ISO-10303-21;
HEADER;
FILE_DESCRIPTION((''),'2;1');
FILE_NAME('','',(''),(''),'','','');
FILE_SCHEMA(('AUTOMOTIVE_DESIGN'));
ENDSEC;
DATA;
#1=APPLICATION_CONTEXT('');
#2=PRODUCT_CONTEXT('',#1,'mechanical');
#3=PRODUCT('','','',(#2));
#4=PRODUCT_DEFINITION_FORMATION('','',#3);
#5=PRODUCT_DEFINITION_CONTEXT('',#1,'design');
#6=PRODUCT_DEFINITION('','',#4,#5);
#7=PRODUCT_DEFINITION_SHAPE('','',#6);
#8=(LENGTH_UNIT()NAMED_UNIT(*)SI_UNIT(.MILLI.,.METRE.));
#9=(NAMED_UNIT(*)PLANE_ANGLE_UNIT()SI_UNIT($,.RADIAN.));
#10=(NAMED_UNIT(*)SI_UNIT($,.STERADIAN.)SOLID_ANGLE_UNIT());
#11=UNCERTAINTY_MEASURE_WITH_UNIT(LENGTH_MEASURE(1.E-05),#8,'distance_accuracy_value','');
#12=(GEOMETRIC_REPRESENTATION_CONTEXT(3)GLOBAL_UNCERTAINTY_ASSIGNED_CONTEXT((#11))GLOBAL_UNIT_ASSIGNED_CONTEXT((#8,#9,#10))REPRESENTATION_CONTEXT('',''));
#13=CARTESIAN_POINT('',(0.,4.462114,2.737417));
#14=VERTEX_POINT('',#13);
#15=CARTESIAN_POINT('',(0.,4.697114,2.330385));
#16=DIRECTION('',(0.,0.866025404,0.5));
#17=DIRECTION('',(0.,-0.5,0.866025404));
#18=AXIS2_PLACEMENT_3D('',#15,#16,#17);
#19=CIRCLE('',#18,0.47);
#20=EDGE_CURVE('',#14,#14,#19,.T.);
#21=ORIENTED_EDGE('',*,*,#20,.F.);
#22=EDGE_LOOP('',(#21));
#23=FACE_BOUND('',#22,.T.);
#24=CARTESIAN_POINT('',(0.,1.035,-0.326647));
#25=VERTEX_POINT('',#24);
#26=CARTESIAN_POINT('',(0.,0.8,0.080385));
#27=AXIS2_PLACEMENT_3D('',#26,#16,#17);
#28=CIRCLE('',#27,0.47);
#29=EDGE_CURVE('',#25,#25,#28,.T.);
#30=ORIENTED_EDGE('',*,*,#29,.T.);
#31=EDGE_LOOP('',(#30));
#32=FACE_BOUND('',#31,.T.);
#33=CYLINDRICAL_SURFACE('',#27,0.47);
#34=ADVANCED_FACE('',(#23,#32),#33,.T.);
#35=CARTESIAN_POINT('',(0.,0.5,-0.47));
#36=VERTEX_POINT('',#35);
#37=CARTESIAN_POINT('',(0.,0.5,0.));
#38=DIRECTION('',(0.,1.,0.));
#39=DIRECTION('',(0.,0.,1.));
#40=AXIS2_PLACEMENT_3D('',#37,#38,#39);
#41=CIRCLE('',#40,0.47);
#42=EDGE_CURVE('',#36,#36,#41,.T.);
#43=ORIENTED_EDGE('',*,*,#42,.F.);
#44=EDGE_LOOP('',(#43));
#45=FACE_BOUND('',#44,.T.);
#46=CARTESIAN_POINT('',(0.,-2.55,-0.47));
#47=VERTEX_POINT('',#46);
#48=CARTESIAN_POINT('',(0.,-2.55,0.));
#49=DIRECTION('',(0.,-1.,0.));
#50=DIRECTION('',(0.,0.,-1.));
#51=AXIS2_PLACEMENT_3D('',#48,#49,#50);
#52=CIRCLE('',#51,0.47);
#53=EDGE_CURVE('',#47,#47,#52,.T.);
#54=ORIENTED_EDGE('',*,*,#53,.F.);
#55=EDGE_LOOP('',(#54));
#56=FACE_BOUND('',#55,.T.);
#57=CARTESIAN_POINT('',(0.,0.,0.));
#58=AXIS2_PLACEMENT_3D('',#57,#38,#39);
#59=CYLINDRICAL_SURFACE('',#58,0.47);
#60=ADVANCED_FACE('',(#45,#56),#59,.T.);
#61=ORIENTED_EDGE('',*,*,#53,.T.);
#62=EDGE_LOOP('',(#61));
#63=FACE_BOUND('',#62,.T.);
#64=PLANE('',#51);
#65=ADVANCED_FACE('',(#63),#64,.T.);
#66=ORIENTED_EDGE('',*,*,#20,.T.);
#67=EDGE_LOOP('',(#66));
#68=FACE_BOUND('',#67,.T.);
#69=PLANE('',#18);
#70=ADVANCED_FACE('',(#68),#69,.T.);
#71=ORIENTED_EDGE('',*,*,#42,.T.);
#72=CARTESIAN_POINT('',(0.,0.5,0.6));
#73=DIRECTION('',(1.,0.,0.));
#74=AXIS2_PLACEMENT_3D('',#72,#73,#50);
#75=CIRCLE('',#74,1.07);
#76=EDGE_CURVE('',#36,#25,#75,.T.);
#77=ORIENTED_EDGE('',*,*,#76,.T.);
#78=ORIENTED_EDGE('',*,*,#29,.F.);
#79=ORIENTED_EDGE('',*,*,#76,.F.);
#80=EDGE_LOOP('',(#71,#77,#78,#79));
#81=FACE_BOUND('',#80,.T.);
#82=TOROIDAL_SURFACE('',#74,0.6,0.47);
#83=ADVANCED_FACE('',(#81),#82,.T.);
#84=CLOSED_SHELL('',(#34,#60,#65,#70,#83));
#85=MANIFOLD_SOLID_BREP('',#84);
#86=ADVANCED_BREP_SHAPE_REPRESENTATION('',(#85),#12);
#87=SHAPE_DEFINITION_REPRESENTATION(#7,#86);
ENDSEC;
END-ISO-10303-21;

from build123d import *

# Parameters (mm, degrees)
SKETCH23_R          = 0.47
SKETCH25_R          = 0.47
BOSS_EXTRUDE2_DEPTH = 2.55


with BuildPart() as part:
    # Sweep4: sweep along a path in Sketch24
    with BuildLine(Plane(origin=(0, 0, 0), x_dir=(0, 0, -1), z_dir=(1, 0, 0))) as sweep4_path:
        Line((0, 0), (0, 0.5))
        ThreePointArc((0, 0.5), (-0.020444504, 0.655291427), (-0.080384758, 0.8))
        Line((-0.080384758, 0.8), (-2.330384758, 4.697114317))
    # Sketch23 → Sweep4 (sweep)
    with BuildSketch(Plane(origin=(0, 0, 0), x_dir=(1, 0, 0), z_dir=(0, 1, 0))):
        Circle(SKETCH23_R)
    sweep(path=sweep4_path.line)

    # Sketch25 → Boss-Extrude2 (add)
    with BuildSketch(Plane(origin=(0, 0, 0), x_dir=(-1, 0, 0), z_dir=(0, -1, 0))):
        Circle(SKETCH25_R)
    extrude(amount=BOSS_EXTRUDE2_DEPTH)


solid = part.part
